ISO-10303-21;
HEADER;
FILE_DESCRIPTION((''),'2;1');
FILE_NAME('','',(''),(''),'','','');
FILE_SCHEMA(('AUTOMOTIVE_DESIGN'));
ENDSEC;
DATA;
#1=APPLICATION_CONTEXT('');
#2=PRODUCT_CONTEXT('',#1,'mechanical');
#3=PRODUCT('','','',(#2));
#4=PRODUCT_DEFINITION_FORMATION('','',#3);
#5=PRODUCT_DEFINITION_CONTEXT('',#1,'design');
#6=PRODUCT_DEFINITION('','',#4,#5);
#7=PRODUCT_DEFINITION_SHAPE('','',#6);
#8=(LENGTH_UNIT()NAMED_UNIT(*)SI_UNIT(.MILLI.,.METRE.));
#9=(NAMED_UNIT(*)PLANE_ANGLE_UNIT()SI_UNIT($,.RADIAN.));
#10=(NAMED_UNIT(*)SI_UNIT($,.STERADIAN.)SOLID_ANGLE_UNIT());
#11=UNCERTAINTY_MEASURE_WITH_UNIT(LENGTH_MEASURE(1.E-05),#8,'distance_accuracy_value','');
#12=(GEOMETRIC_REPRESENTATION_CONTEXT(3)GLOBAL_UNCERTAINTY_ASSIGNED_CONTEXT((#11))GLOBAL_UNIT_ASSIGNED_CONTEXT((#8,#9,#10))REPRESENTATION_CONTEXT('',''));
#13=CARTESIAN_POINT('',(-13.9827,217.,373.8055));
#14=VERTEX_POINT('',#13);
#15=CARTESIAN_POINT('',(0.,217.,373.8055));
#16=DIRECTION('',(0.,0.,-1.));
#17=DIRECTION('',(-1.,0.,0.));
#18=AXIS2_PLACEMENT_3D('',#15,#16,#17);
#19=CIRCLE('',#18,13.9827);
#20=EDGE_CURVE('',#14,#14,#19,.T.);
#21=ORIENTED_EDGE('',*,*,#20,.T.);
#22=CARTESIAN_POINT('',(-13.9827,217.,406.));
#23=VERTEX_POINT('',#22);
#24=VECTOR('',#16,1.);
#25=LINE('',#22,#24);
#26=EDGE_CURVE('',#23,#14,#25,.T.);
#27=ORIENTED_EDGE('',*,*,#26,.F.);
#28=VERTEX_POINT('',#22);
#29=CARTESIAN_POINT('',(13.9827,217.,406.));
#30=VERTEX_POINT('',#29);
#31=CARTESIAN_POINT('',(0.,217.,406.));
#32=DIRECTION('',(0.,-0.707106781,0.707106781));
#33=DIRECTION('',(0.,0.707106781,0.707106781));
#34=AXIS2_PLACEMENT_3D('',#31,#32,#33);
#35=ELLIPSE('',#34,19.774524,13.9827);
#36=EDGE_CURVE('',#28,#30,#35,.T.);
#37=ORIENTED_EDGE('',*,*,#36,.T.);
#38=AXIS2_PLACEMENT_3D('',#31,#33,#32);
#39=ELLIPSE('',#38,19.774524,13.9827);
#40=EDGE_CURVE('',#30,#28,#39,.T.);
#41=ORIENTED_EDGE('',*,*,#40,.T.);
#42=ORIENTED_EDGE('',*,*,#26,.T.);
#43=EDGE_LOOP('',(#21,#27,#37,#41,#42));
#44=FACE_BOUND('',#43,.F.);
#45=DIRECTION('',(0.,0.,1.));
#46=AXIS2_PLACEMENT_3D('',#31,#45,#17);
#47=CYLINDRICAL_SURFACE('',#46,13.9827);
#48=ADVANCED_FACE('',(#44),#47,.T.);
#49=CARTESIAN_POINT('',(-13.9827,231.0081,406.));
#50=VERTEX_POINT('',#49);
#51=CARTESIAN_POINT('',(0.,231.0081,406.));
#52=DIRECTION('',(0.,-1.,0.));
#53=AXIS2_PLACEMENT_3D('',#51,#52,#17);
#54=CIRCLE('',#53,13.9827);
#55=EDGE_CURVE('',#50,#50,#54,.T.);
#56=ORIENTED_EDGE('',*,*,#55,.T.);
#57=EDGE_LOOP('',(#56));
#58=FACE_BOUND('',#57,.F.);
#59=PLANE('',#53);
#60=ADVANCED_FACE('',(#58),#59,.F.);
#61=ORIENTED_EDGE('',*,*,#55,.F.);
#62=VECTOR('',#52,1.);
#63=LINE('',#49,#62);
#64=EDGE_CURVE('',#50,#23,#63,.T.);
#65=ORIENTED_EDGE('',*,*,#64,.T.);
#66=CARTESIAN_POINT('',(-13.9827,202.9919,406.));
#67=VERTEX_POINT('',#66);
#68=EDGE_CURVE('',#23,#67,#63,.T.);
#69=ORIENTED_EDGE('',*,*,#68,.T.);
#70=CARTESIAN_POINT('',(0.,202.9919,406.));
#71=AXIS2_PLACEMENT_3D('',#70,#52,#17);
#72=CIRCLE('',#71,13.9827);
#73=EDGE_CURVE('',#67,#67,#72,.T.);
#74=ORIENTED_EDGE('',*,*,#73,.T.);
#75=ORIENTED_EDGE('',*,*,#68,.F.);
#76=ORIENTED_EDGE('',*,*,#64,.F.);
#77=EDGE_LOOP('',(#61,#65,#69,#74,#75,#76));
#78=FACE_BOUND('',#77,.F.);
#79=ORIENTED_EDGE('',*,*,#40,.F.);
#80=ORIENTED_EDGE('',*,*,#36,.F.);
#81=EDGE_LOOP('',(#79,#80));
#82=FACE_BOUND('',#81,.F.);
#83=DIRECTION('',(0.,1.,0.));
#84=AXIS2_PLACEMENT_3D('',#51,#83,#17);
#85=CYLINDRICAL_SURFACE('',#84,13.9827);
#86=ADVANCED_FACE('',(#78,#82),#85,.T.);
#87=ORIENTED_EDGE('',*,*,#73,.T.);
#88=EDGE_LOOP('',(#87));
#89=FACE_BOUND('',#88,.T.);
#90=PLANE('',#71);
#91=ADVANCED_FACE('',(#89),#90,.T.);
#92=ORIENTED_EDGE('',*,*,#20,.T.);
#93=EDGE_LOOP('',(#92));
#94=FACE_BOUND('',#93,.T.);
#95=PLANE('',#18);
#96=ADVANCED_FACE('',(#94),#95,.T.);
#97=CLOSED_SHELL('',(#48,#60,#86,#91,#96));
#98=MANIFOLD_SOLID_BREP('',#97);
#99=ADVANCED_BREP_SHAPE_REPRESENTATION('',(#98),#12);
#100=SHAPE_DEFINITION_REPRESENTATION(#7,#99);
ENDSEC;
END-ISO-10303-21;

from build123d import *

# Parameters (mm, degrees)
CYLINDER050_R             = 13.9827
CYLINDER050_DEPTH         = 28.0162
CYLINDER049_R             = 13.9827
CYLINDER049_DEPTH         = 32.1945
FUSION020_PLACEMENT_ANGLE = 180


with BuildPart() as cylinder050:
    # Cylinder050 → Cylinder050 (new body)
    with BuildSketch(Plane.XZ.offset(-14.0081)):
        Circle(CYLINDER050_R)
    extrude(amount=CYLINDER050_DEPTH)


with BuildPart() as middle_outer_slip_r:
    # Cylinder049 → Cylinder049 (new body)
    with BuildSketch(Plane.XY):
        Circle(CYLINDER049_R)
    extrude(amount=CYLINDER049_DEPTH)

    # Fusion020: union Cylinder050
    add(cylinder050.part)


with BuildPart() as middle_outer_slip_r_1:
    # Fusion020 placement: moved
    add(middle_outer_slip_r.part.moved(Location((0, 217, 406))).rotate(Axis((0, 217, 406), (0, 1, 0)), FUSION020_PLACEMENT_ANGLE))


solid = middle_outer_slip_r_1.part
